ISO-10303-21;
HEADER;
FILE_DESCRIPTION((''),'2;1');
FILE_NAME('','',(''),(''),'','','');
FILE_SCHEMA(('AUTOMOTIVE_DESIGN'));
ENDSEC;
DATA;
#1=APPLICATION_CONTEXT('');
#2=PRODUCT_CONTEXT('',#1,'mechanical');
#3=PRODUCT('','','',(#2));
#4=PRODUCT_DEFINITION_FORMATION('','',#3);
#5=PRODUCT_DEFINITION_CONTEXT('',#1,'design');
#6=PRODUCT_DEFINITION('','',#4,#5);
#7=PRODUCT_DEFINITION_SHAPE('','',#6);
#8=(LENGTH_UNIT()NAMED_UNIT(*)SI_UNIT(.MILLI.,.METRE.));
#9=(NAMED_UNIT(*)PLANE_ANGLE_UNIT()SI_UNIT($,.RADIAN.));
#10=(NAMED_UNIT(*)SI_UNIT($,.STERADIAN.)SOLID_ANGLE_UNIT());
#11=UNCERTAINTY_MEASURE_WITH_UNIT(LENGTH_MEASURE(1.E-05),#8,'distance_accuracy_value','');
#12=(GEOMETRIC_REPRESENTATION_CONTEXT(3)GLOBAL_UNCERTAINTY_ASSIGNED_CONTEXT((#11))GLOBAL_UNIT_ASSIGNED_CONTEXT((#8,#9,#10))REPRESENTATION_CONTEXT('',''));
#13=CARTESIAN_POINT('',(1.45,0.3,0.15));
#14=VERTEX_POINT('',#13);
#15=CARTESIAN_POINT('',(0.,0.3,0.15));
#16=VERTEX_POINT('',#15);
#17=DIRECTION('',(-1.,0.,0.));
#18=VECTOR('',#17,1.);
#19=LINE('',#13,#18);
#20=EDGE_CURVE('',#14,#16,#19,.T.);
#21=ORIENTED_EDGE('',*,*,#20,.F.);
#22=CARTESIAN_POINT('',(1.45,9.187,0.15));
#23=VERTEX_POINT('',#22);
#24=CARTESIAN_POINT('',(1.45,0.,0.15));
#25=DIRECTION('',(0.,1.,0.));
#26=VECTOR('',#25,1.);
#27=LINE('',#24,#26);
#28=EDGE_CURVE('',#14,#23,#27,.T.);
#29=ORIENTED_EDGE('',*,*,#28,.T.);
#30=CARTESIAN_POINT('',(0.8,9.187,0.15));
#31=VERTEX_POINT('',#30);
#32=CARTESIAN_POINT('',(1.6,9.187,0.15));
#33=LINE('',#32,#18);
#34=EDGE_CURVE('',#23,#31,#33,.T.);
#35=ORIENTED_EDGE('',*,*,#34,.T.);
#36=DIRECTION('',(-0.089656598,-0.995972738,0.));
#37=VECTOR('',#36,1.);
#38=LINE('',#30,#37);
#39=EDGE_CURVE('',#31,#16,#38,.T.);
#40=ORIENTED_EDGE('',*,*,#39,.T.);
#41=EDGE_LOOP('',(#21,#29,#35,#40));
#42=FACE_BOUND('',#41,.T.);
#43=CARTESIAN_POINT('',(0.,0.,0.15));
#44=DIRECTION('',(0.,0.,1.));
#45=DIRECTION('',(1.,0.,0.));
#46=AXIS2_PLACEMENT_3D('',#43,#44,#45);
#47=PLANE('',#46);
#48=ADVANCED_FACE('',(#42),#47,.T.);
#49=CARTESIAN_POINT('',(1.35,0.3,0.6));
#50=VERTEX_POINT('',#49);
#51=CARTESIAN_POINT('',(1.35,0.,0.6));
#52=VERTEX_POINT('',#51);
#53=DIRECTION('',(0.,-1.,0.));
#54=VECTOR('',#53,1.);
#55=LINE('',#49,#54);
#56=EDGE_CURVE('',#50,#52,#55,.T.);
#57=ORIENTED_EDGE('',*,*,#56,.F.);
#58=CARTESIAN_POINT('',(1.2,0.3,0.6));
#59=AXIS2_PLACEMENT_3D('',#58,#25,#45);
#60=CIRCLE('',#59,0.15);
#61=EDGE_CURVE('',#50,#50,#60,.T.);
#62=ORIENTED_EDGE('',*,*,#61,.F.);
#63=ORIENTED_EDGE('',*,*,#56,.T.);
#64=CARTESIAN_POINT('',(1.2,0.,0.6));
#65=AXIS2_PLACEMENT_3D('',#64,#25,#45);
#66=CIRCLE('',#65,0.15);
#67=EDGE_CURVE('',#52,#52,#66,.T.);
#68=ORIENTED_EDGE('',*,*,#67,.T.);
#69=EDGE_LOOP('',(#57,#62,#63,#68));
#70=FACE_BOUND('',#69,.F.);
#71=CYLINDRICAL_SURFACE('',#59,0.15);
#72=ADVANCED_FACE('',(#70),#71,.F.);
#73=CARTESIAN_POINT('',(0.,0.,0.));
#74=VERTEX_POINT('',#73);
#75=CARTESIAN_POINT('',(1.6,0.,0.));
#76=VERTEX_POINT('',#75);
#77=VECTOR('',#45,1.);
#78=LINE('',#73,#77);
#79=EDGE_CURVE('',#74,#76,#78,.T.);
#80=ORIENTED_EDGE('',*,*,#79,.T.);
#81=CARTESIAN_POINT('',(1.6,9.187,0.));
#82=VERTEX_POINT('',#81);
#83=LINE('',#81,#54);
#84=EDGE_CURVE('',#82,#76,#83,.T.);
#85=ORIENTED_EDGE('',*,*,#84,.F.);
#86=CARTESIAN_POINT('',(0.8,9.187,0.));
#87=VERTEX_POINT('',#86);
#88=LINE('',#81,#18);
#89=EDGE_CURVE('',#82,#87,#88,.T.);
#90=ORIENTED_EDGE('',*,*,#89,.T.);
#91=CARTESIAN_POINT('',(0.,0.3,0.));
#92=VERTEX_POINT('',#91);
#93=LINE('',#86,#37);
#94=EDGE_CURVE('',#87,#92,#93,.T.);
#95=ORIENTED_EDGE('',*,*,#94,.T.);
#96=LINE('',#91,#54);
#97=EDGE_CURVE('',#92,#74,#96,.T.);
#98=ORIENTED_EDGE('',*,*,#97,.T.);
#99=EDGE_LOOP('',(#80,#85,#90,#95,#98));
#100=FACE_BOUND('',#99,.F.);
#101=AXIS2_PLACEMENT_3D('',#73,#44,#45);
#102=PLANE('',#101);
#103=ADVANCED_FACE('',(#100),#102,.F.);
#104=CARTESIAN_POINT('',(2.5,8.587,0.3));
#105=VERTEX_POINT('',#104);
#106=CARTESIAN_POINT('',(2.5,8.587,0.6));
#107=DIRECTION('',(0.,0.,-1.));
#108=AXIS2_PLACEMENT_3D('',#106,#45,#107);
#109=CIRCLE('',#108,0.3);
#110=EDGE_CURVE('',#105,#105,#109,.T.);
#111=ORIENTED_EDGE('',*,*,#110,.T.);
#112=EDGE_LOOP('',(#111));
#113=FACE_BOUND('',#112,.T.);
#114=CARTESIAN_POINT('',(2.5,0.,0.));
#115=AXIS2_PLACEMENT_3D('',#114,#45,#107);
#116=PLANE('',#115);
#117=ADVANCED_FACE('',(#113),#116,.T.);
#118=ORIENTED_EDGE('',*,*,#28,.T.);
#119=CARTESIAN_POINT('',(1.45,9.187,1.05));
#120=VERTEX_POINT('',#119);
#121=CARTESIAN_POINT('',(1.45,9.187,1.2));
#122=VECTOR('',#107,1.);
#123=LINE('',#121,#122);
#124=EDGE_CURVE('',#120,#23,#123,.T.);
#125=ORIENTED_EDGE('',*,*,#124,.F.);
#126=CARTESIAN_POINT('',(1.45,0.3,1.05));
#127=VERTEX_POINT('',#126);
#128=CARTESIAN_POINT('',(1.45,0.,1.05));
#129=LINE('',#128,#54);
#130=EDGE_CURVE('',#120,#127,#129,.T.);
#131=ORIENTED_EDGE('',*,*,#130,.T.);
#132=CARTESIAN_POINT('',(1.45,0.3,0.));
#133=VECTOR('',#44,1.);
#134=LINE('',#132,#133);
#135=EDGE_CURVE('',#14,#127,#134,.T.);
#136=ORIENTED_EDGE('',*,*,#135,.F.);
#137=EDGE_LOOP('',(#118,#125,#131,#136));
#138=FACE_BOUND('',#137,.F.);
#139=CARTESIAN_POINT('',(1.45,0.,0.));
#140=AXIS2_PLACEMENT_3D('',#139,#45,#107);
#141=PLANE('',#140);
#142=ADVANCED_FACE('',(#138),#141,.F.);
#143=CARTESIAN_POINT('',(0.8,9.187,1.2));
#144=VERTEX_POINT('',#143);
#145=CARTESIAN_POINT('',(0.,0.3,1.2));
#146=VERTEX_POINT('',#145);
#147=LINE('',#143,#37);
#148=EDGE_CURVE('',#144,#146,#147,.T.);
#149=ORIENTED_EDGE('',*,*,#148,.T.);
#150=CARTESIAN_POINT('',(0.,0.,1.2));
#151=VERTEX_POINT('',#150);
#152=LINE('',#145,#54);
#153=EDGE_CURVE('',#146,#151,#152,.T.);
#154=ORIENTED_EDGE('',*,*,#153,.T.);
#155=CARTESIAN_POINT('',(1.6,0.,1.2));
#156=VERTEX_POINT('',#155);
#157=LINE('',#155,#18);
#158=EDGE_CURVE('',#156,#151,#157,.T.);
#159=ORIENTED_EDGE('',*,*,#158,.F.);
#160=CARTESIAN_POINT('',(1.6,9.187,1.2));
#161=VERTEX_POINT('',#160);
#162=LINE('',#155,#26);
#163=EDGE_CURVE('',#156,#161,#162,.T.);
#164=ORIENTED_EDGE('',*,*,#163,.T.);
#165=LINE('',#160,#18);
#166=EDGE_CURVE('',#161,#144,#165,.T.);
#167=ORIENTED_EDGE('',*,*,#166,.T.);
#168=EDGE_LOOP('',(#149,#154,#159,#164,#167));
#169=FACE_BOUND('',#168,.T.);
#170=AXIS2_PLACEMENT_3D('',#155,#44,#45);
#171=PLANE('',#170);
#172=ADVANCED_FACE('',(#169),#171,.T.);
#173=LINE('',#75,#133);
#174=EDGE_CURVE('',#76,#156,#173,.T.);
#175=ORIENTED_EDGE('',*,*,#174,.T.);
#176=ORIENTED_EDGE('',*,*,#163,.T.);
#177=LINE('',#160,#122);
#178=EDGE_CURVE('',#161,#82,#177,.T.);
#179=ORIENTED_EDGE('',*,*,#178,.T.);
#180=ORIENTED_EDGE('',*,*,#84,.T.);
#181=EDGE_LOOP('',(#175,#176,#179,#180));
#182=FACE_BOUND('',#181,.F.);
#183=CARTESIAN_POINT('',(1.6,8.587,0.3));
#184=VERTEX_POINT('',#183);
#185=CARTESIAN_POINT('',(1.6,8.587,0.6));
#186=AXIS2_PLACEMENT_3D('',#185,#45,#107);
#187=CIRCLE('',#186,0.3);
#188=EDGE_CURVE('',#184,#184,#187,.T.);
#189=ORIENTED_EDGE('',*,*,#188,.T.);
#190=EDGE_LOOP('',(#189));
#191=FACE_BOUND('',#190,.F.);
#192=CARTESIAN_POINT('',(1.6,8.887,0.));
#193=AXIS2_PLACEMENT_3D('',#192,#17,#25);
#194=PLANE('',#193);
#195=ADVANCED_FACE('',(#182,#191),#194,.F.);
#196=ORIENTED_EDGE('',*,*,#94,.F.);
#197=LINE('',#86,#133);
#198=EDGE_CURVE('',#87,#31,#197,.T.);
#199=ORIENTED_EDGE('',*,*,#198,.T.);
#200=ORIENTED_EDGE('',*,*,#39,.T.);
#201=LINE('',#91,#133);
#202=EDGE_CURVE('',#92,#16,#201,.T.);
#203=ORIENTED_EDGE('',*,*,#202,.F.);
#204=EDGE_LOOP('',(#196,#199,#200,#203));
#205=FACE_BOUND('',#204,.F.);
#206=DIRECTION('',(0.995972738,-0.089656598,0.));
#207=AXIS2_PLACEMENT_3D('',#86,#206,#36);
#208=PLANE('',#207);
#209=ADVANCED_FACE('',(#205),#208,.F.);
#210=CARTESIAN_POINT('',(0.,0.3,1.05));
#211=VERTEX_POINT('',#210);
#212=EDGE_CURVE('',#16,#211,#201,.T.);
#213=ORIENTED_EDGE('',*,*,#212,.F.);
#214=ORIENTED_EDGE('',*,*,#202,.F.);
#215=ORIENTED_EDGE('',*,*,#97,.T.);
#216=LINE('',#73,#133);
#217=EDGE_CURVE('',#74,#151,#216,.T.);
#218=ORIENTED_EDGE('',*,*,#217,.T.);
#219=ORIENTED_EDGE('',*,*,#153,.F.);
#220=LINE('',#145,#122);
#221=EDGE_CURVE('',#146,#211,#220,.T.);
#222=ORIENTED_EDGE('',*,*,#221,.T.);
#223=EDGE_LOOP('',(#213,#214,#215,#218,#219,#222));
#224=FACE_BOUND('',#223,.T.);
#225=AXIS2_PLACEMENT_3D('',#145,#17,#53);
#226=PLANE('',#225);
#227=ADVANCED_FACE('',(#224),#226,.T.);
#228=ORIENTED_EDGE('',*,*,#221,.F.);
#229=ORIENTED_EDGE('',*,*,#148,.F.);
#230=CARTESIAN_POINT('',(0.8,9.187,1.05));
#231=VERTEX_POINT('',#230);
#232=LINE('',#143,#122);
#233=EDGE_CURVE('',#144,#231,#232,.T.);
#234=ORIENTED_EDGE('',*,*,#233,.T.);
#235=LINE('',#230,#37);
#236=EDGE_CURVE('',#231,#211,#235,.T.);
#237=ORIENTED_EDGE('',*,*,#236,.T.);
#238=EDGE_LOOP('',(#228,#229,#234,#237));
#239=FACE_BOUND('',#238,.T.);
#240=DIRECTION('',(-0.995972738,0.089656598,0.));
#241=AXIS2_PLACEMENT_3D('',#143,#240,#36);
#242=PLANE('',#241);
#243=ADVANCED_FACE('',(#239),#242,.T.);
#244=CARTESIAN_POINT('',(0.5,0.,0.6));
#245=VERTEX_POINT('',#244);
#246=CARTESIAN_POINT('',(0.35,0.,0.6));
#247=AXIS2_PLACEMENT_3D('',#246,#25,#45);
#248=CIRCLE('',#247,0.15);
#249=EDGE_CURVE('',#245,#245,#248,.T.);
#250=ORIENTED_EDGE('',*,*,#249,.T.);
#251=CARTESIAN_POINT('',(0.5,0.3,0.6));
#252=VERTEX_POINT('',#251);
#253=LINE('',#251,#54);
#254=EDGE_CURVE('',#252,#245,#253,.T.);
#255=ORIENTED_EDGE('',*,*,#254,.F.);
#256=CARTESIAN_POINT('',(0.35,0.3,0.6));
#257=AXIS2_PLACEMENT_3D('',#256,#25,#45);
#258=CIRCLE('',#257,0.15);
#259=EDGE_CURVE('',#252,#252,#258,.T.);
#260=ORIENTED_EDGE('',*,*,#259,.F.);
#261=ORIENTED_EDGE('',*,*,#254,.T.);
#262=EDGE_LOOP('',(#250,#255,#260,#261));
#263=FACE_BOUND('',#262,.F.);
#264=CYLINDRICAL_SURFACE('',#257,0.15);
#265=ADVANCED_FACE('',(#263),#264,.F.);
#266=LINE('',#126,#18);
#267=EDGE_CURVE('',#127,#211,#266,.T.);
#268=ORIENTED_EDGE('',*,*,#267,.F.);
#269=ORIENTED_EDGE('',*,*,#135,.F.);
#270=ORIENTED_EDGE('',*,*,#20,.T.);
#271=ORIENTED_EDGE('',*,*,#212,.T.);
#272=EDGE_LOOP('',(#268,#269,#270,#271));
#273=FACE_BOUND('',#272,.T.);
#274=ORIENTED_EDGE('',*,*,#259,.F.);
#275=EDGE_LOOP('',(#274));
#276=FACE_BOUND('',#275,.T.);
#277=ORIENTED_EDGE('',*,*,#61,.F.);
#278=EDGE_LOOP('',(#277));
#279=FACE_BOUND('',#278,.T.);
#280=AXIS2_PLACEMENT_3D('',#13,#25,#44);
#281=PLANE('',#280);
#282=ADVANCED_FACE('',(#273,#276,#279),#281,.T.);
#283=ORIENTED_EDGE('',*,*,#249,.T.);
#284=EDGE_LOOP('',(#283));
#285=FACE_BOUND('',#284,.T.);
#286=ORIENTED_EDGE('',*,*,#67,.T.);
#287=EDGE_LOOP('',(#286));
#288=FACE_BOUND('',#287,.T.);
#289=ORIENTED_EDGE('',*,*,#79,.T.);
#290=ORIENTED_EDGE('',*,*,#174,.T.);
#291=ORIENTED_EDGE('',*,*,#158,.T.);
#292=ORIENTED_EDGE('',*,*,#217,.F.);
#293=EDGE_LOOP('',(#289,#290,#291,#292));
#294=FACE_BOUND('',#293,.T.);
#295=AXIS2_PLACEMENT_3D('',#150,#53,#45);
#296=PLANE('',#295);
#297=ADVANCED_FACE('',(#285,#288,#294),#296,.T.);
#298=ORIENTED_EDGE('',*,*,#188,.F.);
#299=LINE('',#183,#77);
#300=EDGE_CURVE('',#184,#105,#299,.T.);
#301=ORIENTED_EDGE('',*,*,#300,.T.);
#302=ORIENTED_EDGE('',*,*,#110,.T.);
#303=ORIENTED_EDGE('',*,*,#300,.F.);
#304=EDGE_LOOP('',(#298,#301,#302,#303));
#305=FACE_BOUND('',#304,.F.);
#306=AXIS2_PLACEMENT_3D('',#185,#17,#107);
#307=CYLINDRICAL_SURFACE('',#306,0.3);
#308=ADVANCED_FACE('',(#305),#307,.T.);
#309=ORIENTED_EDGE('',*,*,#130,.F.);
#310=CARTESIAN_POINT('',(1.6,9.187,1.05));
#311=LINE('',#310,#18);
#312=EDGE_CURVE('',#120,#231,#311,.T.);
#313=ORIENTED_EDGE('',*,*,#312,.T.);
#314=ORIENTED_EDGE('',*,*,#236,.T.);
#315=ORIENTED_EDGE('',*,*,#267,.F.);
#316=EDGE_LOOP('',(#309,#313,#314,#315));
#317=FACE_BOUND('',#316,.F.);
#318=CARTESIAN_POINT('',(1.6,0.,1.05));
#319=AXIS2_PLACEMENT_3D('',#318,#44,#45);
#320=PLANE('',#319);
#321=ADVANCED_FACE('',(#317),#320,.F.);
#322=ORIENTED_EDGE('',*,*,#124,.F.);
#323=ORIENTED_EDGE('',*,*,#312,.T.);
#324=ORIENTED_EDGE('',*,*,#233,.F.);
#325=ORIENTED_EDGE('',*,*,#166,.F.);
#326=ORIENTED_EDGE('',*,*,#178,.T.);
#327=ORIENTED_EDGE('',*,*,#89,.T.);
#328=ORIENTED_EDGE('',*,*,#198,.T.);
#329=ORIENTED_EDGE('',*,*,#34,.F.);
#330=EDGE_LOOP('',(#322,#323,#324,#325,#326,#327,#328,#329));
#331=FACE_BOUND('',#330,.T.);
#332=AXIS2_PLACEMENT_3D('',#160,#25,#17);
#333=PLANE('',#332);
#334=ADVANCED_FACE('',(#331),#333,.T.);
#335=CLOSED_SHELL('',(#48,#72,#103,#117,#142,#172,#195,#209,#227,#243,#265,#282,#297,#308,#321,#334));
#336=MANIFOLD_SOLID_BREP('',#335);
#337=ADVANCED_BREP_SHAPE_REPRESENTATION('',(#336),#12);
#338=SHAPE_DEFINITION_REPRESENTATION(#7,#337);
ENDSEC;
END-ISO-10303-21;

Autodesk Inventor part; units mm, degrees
ref_plane "YZ Plane" through (0, 0, 0) normal (1, 0, 0) x (0, 1, 0)
ref_plane "XZ Plane" through (0, 0, 0) normal (0, 1, 0) x (-1, 0, 0)
ref_plane "XY Plane" through (0, 0, 0) normal (0, 0, 1) x (1, 0, 0)
sketch "Boceto1" plane through (0, 0, 0) normal (0, 0, 1) x (1, 0, 0)
  line L0 (0, 0) -> (1.6, 0)
  line L1 (1.6, 0) -> (1.6, 0.3)
  line L2 (0, 0.3) -> (0, 0)
  line L3 (1.6, 0.3) -> (1.6, 8.287)
  line L4 (1.6, 8.287) -> (2.5, 8.287)
  line L5 (2.5, 8.287) -> (2.5, 8.887)
  line L6 (2.5, 8.887) -> (1.6, 8.887)
  line L7 (1.6, 8.887) -> (1.6, 9.187)
  line L8 (1.6, 9.187) -> (0.8, 9.187)
  line L9 (0.8, 9.187) -> (0, 0.3)
  line L10 (1.6, 8.887) -> (1.6, 8.287)
extrude "Extrusión1" add sketch "Boceto1" along normal blind 0.15 contours L2 L9 L8 L7 L10 L3 L1 L0
sketch "Boceto2" plane through (1.6, 0, 0) normal (1, 0, 0) x (0, 0, -1)
  line L0 (0, 0.3) -> (0, 9.187)
  line L1 (-1.2, 9.187) -> (-1.2, 0.3)
  line L2 (-1.2, 0.3) -> (0, 0.3)
  line L3 (-1.05, 0.3) -> (-1.05, 9.187)
  line L4 (-0.15, 0.3) -> (-0.15, 9.187)
  line L5 (-1.2, 0) -> (0, 0)
  line L6 (-1.2, 0) -> (-1.2, 0.3)
  line L7 (0, 0) -> (0, 0.3)
  line L8 (0, 9.187) -> (-1.2, 9.187)
  point P0 (0, 0)
extrude "Extrusión2" add sketch "Boceto2" against normal blind 0.15 contours L7 L5 L6 L2 | L2 L3 L8 L4 | L2 L1 L8 L3
sketch "Boceto3" plane through (1.6, 0, 1.2) normal (0, 0, 1) x (1, 0, 0)
  line L0 (-1.6, 0) -> (0, 0)
  line L1 (0, 0) -> (0, 0.3)
  line L2 (-1.6, 0.3) -> (-1.6, 0)
  line L3 (0, 0.3) -> (0, 8.287)
  line L4 (0, 8.287) -> (0.9, 8.287)
  line L5 (0.9, 8.287) -> (0.9, 8.887)
  line L6 (0.9, 8.887) -> (0, 8.887)
  line L7 (0, 8.887) -> (0, 9.187)
  line L8 (0, 9.187) -> (-0.8, 9.187)
  line L9 (-0.8, 9.187) -> (-1.6, 0.3)
  line L10 (0, 8.887) -> (0, 8.287)
  line L11 (0, 0) -> (-0.15, 0) projected
  point P0 (-1.6, 0)
extrude "Extrusión3" add sketch "Boceto3" against normal blind 0.15 contours L2 L9 L8 L7 L10 L3 L1 L0
sketch "Boceto4" plane through (1.45, 0, 0) normal (-1, 0, 0) x (0, 0, 1)
  line L0 (1.2, 0.3) -> (1.2, 9.187)
  line L1 (0, 9.187) -> (0, 0.3)
  line L2 (0, 0.3) -> (1.2, 0.3)
  line L3 (0.15, 0.3) -> (0.15, 9.187)
  line L4 (1.05, 0.3) -> (1.05, 9.187)
  line L5 (0, 0) -> (1.2, 0)
  line L6 (0, 0) -> (0, 0.3)
  line L7 (1.2, 0) -> (1.2, 0.3)
  line L8 (1.2, 9.187) -> (0, 9.187)
  point P0 (0, 0)
extrude "Extrusión4" add sketch "Boceto4" along normal blind 1.45 contours L7 L5 L6 L2
sketch "Boceto5" plane through (1.45, 0.3, 1.05) normal (0, 1, 0) x (1, 0, 0)
  line L0 (-1.45, 1.05) -> (0.15, 1.05)
  line L1 (0.15, 1.05) -> (0.15, -0.15)
  line L2 (0.15, -0.15) -> (-1.45, -0.15)
  line L3 (-1.45, -0.15) -> (-1.45, 1.05)
  circle A0 centre (-1.1, 0.45) radius 0.15
  circle A1 centre (-0.25, 0.45) radius 0.15
  line L4 (0.15, 0.15) -> (1.05, 0.15)
  line L5 (1.05, 0.15) -> (1.05, 0.75)
  line L6 (1.05, 0.75) -> (0.15, 0.75)
  line L7 (0, 1.05) -> (0, -0.15)
  line L8 (0.15, 1.05) -> (0.15, -0.15) projected
  point P0 (-1.45, 1.05)
extrude "Extrusión5" cut sketch "Boceto5" against normal blind 1.45 contours A0 | A1
sketch "Boceto6" plane through (1.6, 0, 0) normal (1, 0, 0) x (0, 0, -1)
  line L0 (0, 0) -> (-1.2, 0) projected
  line L1 (0, 0) -> (0, 9.187) projected
  line L2 (0, 9.187) -> (-1.2, 9.187) projected
  line L3 (-1.2, 9.187) -> (-1.2, 0) projected
  line L4 (0, 0.3) -> (0, 9.187)
  line L5 (-1.2, 9.187) -> (-1.2, 0.3)
  line L6 (-1.2, 0) -> (0, 0)
  line L7 (-1.2, 0) -> (-1.2, 0.3)
  line L8 (0, 0) -> (0, 0.3)
  line L9 (0, 9.187) -> (-1.2, 9.187)
  circle A0 centre (-0.6, 8.587) radius 0.3
extrude "Extrusión6" add sketch "Boceto6" along normal blind 0.9 contours A0
properties part number "soporteAgarre"
